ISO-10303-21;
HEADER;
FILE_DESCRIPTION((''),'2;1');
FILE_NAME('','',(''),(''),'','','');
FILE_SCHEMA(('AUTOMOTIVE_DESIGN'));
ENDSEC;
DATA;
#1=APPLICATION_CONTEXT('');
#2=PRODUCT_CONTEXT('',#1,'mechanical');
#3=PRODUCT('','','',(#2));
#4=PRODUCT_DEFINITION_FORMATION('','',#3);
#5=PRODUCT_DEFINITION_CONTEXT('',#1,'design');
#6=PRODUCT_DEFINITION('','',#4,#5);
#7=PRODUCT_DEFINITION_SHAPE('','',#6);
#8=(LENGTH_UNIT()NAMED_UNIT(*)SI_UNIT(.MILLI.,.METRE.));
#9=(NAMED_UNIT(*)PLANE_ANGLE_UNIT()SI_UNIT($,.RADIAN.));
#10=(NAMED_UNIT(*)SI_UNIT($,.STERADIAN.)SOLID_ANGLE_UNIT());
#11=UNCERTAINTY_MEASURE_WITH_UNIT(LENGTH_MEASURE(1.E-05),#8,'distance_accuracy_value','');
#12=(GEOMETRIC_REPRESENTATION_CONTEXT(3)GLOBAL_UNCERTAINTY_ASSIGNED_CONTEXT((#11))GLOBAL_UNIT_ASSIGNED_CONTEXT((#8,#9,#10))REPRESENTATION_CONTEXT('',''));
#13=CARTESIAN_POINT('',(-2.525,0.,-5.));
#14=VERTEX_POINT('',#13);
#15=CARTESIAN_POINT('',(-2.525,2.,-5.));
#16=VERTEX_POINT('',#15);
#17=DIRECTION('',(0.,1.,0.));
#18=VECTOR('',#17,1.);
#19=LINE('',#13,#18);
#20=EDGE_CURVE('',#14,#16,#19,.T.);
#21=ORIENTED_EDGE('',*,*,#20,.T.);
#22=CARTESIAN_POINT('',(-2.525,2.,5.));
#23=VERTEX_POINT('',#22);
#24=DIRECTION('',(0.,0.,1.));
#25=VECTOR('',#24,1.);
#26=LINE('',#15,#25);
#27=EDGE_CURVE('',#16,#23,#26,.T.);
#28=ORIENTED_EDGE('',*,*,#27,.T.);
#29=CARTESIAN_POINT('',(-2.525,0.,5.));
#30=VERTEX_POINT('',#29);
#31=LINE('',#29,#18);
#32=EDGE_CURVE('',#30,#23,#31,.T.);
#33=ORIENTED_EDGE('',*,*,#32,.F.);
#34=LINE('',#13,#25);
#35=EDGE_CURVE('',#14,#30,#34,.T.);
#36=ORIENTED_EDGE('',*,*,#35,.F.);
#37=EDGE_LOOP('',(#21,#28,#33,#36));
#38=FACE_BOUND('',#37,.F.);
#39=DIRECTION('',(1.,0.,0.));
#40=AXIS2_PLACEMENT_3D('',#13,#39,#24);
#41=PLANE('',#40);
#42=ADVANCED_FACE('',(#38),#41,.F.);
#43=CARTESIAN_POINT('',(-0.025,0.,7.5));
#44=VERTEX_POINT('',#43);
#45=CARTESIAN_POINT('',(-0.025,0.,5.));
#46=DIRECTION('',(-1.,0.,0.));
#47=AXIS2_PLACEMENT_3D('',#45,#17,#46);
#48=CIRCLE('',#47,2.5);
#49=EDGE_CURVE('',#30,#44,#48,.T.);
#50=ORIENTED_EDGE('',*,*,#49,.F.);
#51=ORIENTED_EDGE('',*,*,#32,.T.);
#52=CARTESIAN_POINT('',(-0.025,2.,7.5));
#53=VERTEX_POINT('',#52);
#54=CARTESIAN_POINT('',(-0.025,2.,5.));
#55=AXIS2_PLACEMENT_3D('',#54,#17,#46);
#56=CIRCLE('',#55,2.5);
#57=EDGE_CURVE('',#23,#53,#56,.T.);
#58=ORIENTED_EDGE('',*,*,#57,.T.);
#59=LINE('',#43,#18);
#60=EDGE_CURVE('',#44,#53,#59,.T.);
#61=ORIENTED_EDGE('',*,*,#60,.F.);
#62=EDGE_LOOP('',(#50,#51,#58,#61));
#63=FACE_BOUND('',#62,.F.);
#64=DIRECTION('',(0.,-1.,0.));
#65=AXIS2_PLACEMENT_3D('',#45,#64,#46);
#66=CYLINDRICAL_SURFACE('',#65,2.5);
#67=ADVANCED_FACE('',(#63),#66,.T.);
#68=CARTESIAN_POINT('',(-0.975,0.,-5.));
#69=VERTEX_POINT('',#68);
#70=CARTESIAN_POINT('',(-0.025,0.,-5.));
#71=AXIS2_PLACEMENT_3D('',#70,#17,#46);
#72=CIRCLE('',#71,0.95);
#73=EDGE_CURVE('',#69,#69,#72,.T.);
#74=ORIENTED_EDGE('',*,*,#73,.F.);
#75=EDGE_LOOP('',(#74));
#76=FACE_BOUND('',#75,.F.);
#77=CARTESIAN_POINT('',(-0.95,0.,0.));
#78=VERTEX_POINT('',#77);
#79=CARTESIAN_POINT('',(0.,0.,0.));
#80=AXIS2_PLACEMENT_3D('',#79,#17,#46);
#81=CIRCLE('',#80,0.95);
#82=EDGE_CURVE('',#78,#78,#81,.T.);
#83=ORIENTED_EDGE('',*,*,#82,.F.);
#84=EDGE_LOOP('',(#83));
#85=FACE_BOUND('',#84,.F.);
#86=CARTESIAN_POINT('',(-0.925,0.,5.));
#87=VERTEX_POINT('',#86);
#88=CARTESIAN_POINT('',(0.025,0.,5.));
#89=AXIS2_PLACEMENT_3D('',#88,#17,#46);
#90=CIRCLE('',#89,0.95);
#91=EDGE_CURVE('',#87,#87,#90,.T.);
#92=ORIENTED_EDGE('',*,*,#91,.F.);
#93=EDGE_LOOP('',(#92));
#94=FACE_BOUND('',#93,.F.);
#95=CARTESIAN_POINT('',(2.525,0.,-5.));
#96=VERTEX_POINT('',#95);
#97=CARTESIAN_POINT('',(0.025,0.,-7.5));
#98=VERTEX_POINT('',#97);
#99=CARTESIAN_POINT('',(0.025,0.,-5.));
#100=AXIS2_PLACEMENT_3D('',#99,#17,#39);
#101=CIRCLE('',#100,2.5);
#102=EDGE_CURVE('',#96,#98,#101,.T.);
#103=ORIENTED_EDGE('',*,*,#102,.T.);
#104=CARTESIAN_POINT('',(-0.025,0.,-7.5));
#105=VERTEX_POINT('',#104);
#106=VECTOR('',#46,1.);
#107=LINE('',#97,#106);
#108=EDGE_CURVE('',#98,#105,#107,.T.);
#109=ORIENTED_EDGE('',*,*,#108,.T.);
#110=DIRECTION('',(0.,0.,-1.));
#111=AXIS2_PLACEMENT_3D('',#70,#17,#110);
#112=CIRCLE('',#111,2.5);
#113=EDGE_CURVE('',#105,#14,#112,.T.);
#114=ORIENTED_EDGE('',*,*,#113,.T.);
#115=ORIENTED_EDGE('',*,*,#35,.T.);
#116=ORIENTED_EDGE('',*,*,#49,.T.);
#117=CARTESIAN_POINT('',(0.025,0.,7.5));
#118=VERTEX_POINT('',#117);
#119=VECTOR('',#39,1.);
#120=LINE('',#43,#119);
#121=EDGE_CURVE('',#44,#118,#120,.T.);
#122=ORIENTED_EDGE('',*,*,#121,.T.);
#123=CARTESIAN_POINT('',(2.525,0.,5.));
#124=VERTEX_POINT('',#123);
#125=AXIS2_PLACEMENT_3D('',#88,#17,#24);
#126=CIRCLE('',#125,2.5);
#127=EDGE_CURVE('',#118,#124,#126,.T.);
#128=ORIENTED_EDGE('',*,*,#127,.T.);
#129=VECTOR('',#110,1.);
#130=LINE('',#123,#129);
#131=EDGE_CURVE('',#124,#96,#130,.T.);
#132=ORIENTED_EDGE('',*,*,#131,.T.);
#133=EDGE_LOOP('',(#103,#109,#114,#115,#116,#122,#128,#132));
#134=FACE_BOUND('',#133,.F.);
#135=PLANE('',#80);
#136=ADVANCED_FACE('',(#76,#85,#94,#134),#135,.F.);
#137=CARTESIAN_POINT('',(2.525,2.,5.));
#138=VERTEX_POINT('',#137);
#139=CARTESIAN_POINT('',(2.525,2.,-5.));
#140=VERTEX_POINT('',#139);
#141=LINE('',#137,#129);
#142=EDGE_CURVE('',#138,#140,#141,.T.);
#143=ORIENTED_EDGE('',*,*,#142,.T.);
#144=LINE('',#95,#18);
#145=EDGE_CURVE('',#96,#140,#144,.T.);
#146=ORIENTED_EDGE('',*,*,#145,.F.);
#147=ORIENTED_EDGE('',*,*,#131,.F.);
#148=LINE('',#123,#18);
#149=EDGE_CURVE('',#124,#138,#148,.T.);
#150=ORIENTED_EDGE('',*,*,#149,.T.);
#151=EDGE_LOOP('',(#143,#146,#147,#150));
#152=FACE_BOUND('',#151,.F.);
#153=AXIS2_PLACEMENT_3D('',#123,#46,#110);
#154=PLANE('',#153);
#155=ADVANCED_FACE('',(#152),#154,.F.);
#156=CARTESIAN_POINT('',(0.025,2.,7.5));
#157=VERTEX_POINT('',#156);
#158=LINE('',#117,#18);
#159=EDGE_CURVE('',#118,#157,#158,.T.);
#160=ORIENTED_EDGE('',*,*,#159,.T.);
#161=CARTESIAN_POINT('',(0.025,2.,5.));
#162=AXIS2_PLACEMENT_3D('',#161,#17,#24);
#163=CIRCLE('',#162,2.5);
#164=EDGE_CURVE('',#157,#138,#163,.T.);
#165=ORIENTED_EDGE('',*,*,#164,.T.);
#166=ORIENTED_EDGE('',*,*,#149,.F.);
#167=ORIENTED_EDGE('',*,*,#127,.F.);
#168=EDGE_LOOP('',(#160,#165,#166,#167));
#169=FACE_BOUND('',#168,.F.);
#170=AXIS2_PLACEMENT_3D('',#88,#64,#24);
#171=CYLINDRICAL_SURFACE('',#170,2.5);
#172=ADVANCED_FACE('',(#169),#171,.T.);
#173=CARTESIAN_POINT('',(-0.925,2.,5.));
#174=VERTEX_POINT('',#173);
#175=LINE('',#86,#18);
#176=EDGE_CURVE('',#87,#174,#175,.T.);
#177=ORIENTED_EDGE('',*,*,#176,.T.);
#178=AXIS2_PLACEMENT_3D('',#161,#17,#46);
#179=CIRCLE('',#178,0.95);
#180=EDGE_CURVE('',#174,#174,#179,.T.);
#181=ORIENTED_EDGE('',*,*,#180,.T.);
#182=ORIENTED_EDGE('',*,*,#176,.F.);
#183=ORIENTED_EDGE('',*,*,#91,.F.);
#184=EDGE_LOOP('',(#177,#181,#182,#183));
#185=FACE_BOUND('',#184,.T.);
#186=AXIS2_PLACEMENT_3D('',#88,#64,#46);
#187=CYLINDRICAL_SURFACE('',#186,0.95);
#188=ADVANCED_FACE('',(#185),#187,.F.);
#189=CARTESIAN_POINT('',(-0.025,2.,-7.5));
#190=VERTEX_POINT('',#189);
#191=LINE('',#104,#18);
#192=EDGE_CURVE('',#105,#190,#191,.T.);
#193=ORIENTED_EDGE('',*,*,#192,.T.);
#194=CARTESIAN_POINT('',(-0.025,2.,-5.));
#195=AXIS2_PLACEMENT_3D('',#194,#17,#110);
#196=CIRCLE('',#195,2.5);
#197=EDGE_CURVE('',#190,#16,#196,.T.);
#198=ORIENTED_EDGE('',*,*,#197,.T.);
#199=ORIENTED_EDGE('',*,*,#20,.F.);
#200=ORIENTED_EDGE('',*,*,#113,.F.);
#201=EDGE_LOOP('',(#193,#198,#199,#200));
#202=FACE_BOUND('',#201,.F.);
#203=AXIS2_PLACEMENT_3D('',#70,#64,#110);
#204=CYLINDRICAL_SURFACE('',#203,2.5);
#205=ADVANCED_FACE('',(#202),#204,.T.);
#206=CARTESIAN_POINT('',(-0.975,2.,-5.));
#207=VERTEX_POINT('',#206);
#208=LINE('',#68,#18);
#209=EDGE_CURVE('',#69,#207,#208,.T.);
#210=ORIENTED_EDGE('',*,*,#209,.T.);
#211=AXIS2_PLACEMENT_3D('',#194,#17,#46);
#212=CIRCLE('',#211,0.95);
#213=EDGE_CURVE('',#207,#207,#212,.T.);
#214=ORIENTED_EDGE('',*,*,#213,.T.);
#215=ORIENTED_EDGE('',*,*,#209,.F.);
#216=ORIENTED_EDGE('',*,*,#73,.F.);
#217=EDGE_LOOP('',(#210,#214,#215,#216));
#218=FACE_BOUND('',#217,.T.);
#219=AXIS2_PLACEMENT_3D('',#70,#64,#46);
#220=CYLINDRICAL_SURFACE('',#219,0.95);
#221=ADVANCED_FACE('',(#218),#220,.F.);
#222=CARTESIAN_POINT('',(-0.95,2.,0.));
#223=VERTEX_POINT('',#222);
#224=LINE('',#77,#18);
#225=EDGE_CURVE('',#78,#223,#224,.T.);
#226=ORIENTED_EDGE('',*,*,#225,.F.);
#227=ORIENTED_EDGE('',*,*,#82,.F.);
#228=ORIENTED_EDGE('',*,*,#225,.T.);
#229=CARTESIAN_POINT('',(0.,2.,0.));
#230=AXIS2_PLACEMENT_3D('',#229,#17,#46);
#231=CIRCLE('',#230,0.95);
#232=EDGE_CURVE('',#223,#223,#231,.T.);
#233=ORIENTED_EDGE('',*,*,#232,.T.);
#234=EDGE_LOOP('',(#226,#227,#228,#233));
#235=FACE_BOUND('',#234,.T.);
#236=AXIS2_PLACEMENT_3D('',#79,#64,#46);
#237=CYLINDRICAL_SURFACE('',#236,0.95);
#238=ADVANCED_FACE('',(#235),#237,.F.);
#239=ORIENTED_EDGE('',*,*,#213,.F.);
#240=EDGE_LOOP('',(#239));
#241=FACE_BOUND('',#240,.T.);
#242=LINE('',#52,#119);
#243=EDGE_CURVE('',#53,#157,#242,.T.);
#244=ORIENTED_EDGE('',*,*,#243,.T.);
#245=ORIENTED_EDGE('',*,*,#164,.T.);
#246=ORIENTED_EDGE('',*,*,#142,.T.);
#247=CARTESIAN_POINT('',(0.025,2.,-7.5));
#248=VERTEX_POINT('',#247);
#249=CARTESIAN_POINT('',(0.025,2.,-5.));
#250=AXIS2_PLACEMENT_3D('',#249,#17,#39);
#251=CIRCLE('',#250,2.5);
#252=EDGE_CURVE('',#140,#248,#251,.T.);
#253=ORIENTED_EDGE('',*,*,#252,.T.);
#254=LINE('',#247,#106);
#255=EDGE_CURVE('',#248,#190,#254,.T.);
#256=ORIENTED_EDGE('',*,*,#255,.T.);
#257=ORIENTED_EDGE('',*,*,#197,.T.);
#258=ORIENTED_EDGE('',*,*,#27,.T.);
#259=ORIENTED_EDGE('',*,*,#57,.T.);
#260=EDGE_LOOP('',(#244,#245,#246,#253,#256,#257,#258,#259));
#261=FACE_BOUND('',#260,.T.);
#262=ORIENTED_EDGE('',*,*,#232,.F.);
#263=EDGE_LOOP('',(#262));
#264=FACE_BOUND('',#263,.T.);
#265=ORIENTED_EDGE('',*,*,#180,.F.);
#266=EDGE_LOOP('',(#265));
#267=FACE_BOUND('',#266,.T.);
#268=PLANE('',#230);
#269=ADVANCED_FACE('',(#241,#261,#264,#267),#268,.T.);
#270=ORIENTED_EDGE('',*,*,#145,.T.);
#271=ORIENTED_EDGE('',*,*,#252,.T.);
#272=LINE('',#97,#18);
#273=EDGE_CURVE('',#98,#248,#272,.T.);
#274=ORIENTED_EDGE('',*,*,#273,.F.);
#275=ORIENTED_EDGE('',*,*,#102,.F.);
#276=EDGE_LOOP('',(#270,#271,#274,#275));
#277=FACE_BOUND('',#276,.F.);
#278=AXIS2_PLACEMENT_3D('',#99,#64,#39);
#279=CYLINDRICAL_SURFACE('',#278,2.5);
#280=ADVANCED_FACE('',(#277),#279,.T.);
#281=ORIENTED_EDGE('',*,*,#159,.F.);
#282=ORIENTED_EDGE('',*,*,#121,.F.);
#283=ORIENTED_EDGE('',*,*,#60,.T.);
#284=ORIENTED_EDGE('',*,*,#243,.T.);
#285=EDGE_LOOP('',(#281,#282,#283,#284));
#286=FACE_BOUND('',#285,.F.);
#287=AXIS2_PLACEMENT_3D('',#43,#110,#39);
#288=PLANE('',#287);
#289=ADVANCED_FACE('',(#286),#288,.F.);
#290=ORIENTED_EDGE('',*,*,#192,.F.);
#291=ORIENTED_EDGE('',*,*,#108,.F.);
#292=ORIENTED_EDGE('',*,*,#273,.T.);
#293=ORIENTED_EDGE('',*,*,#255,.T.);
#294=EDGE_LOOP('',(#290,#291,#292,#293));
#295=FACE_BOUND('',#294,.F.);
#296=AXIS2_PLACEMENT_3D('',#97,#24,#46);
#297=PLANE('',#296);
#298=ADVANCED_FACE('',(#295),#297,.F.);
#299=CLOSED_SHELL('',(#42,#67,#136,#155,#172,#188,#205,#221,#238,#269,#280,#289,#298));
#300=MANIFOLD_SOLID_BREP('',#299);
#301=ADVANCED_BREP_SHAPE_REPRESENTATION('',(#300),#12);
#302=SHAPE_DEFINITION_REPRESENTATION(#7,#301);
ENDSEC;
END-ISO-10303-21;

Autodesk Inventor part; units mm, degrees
ref_plane "YZ Plane" through (0, 0, 0) normal (1, 0, 0) x (0, 1, 0)
ref_plane "XZ Plane" through (0, 0, 0) normal (0, 1, 0) x (-1, 0, 0)
ref_plane "XY Plane" through (0, 0, 0) normal (0, 0, 1) x (1, 0, 0)
sketch "Sketch1" plane through (0, 0, 0) normal (0, 1, 0) x (-1, 0, 0)
  line L0 (-0.025, -7.5) -> (0.025, -7.5)
  line L1 (2.525, -5) -> (2.525, 5)
  line L2 (0.025, 7.5) -> (-0.025, 7.5)
  line L3 (-2.525, 5) -> (-2.525, -5)
  line L4 (-2.525, -7.5) -> (2.525, 7.5) construction
  line L5 (2.525, -7.5) -> (-2.525, 7.5) construction
  arc A0 (2.525, 5) -> (0.025, 7.5) centre (0.025, 5) ccw
  arc A1 (-0.025, 7.5) -> (-2.525, 5) centre (-0.025, 5) ccw
  arc A2 (-2.525, -5) -> (-0.025, -7.5) centre (-0.025, -5) ccw
  arc A3 (0.025, -7.5) -> (2.525, -5) centre (0.025, -5) ccw
  circle A4 centre (0, 0) radius 0.95
  circle A5 centre (-0.025, 5) radius 0.95
  circle A6 centre (0.025, -5) radius 0.95
  dimension "d0" = 5.05
  dimension "d1" = 15
  dimension "d2" = 2.5
  dimension "d3" = 1.9
  dimension "d4" = 1.9
  dimension "d5" = 1.9
extrude "Extrusion1" add sketch "Sketch1" along normal blind 2
